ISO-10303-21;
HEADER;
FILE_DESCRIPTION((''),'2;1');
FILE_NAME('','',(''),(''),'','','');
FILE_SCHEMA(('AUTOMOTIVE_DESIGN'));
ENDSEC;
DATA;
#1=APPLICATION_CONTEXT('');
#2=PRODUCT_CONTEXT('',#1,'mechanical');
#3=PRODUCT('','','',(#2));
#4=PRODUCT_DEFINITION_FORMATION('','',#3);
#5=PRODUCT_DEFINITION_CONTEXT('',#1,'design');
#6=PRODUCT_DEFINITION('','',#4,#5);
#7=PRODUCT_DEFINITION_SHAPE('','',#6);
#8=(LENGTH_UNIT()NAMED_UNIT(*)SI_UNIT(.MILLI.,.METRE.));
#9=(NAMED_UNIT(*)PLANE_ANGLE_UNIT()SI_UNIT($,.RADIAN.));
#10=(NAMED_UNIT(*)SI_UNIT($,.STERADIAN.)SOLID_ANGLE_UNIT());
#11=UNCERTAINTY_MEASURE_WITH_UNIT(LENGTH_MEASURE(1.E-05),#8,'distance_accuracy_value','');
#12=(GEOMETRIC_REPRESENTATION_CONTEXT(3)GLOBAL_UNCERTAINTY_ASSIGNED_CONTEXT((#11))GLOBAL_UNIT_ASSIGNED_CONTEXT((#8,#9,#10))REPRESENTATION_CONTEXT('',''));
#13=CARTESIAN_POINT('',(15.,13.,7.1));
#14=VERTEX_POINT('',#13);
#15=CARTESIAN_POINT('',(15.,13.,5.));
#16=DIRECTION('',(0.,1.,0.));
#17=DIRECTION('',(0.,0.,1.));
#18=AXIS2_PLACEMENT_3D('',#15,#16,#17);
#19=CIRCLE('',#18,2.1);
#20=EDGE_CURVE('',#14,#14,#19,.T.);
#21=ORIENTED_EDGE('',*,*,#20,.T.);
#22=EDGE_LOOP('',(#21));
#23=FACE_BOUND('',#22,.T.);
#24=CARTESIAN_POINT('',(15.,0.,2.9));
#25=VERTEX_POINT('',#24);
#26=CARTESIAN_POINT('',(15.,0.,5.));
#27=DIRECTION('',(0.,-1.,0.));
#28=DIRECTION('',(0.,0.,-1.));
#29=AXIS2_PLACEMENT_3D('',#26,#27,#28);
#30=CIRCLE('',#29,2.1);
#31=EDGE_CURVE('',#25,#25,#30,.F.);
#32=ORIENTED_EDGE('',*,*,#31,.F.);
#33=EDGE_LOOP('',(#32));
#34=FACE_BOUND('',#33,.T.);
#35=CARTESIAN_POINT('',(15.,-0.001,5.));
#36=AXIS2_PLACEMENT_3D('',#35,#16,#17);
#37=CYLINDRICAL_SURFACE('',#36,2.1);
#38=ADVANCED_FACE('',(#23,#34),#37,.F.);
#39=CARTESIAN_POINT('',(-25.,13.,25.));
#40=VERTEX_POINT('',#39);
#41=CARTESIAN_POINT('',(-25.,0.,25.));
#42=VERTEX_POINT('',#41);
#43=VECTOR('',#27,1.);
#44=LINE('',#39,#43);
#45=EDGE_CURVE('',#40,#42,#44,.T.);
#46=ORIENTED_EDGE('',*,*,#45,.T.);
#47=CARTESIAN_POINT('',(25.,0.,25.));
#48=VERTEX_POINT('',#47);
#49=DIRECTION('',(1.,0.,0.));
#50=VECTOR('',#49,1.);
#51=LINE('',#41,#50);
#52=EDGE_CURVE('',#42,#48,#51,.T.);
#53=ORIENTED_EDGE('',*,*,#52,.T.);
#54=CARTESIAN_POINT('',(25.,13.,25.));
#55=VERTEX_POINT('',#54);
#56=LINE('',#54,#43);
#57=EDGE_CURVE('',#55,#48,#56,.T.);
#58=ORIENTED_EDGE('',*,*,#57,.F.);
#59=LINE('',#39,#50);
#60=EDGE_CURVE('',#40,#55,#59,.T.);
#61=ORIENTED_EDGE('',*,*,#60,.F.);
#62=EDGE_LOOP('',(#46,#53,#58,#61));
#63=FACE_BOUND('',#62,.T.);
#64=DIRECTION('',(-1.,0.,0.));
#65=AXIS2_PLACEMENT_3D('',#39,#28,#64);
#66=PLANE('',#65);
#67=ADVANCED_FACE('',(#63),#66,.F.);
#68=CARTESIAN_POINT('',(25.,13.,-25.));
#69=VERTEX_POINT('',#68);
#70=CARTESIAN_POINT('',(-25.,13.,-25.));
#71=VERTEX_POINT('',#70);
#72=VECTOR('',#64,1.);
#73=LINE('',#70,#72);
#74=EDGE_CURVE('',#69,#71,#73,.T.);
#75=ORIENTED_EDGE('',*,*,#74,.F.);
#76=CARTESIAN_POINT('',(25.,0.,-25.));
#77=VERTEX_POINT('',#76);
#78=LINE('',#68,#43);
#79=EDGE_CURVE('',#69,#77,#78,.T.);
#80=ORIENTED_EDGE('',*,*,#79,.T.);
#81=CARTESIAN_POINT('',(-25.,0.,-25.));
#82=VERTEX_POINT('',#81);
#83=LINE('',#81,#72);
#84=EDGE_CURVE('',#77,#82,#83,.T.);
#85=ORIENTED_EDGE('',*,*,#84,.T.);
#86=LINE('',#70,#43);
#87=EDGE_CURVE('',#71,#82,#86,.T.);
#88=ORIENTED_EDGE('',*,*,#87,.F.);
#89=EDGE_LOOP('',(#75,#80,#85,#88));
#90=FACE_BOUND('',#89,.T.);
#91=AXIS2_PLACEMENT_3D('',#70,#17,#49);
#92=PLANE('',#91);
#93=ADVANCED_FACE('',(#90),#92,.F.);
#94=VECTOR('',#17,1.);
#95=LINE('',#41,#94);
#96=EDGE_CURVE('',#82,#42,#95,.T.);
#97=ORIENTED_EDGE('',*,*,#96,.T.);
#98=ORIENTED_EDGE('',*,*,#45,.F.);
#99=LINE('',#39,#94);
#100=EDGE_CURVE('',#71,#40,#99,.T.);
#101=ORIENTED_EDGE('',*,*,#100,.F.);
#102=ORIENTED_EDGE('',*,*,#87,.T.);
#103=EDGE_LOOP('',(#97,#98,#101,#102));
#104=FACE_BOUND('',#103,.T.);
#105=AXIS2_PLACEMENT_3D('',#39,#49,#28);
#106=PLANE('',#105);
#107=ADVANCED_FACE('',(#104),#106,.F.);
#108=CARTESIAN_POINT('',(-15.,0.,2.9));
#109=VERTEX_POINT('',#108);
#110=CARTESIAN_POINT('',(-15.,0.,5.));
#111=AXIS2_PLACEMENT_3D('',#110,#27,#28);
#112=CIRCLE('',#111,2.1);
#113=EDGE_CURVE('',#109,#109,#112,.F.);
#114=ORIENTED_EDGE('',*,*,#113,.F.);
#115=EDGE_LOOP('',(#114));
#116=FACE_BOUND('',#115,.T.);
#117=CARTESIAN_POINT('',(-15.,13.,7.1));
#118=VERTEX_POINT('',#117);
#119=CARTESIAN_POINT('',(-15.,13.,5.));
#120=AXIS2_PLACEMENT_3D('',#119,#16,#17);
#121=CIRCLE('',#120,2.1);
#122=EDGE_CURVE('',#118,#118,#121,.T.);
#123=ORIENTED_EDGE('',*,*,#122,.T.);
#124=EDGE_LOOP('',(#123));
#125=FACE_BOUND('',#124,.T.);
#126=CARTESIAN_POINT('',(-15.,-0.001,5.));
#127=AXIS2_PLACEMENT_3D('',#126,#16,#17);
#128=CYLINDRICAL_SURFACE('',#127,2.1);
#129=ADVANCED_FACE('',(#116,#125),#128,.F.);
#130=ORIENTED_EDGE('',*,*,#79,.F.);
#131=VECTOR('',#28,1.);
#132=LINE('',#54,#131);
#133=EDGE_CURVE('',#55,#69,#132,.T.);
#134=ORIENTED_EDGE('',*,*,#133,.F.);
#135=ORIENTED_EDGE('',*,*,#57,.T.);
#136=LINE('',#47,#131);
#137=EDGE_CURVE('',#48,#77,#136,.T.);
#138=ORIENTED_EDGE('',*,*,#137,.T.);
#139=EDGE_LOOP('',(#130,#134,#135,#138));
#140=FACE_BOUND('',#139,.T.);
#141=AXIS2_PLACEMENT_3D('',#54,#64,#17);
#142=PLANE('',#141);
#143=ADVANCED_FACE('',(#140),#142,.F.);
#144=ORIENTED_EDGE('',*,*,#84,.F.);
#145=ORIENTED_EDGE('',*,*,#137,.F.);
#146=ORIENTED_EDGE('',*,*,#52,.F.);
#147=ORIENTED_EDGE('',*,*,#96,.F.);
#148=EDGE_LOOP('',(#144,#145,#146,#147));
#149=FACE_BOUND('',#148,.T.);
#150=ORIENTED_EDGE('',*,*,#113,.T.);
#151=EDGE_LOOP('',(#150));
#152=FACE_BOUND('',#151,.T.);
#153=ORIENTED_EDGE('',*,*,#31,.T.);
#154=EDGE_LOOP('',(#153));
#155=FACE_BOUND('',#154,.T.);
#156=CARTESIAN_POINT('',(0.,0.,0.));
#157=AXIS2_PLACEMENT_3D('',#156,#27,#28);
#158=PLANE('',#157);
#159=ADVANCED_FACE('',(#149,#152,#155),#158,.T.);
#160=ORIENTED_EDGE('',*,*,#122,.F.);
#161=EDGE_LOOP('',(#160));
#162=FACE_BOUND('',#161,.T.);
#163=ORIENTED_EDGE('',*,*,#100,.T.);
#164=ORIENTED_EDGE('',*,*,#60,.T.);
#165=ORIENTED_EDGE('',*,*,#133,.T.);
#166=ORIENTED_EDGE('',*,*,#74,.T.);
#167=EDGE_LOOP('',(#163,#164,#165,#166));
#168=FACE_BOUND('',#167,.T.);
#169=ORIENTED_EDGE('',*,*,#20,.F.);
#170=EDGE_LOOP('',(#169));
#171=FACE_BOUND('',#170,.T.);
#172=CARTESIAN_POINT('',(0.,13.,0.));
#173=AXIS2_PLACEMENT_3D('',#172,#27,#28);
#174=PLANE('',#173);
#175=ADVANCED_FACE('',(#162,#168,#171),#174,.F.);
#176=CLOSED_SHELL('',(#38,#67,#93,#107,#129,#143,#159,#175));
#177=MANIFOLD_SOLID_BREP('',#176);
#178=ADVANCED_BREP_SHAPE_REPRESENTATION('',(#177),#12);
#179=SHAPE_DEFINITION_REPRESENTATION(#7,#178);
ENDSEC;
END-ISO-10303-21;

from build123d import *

# Parameters (mm, degrees)
SKETCH_1_W          = 50
SKETCH_1_H          = 50
EXTRUDE_1_DEPTH     = 13
CUT_EXTRUDE_1_REACH = 39.67
SKETCH_3_R          = 2.1


with BuildPart() as part:
    # 草图1 → 凸台-拉伸1 (new body)
    with BuildSketch(Plane(origin=(0, 0, 0), x_dir=(1, 0, 0), z_dir=(0, 1, 0))):
        Rectangle(SKETCH_1_W, SKETCH_1_H)
    extrude(amount=EXTRUDE_1_DEPTH)

    # 草图3 → 切除-拉伸1 (cut, up to next)
    with BuildSketch(Plane(origin=(0, 13, 0), x_dir=(1, 0, 0), z_dir=(0, 1, 0)), mode=Mode.PRIVATE) as cut_extrude_1_sk1:
        with Locations(Location((-15, -5, 0), (0, 0, 270))):
            Circle(SKETCH_3_R)
    cut_extrude_1_tool1 = extrude(cut_extrude_1_sk1.sketch, amount=-CUT_EXTRUDE_1_REACH, mode=Mode.PRIVATE) & part.part
    # 草图3 → 切除-拉伸1 (cut, up to next)
    with BuildSketch(Plane(origin=(0, 13, 0), x_dir=(1, 0, 0), z_dir=(0, 1, 0)), mode=Mode.PRIVATE) as cut_extrude_1_sk2:
        with Locations(Location((15, -5, 0), (0, 0, 270))):
            Circle(SKETCH_3_R)
    cut_extrude_1_tool2 = extrude(cut_extrude_1_sk2.sketch, amount=-CUT_EXTRUDE_1_REACH, mode=Mode.PRIVATE) & part.part
    add(cut_extrude_1_tool1.solids().sort_by_distance((-15, 13, 5))[0], mode=Mode.SUBTRACT)
    add(cut_extrude_1_tool2.solids().sort_by_distance((15, 13, 5))[0], mode=Mode.SUBTRACT)


solid = part.part
